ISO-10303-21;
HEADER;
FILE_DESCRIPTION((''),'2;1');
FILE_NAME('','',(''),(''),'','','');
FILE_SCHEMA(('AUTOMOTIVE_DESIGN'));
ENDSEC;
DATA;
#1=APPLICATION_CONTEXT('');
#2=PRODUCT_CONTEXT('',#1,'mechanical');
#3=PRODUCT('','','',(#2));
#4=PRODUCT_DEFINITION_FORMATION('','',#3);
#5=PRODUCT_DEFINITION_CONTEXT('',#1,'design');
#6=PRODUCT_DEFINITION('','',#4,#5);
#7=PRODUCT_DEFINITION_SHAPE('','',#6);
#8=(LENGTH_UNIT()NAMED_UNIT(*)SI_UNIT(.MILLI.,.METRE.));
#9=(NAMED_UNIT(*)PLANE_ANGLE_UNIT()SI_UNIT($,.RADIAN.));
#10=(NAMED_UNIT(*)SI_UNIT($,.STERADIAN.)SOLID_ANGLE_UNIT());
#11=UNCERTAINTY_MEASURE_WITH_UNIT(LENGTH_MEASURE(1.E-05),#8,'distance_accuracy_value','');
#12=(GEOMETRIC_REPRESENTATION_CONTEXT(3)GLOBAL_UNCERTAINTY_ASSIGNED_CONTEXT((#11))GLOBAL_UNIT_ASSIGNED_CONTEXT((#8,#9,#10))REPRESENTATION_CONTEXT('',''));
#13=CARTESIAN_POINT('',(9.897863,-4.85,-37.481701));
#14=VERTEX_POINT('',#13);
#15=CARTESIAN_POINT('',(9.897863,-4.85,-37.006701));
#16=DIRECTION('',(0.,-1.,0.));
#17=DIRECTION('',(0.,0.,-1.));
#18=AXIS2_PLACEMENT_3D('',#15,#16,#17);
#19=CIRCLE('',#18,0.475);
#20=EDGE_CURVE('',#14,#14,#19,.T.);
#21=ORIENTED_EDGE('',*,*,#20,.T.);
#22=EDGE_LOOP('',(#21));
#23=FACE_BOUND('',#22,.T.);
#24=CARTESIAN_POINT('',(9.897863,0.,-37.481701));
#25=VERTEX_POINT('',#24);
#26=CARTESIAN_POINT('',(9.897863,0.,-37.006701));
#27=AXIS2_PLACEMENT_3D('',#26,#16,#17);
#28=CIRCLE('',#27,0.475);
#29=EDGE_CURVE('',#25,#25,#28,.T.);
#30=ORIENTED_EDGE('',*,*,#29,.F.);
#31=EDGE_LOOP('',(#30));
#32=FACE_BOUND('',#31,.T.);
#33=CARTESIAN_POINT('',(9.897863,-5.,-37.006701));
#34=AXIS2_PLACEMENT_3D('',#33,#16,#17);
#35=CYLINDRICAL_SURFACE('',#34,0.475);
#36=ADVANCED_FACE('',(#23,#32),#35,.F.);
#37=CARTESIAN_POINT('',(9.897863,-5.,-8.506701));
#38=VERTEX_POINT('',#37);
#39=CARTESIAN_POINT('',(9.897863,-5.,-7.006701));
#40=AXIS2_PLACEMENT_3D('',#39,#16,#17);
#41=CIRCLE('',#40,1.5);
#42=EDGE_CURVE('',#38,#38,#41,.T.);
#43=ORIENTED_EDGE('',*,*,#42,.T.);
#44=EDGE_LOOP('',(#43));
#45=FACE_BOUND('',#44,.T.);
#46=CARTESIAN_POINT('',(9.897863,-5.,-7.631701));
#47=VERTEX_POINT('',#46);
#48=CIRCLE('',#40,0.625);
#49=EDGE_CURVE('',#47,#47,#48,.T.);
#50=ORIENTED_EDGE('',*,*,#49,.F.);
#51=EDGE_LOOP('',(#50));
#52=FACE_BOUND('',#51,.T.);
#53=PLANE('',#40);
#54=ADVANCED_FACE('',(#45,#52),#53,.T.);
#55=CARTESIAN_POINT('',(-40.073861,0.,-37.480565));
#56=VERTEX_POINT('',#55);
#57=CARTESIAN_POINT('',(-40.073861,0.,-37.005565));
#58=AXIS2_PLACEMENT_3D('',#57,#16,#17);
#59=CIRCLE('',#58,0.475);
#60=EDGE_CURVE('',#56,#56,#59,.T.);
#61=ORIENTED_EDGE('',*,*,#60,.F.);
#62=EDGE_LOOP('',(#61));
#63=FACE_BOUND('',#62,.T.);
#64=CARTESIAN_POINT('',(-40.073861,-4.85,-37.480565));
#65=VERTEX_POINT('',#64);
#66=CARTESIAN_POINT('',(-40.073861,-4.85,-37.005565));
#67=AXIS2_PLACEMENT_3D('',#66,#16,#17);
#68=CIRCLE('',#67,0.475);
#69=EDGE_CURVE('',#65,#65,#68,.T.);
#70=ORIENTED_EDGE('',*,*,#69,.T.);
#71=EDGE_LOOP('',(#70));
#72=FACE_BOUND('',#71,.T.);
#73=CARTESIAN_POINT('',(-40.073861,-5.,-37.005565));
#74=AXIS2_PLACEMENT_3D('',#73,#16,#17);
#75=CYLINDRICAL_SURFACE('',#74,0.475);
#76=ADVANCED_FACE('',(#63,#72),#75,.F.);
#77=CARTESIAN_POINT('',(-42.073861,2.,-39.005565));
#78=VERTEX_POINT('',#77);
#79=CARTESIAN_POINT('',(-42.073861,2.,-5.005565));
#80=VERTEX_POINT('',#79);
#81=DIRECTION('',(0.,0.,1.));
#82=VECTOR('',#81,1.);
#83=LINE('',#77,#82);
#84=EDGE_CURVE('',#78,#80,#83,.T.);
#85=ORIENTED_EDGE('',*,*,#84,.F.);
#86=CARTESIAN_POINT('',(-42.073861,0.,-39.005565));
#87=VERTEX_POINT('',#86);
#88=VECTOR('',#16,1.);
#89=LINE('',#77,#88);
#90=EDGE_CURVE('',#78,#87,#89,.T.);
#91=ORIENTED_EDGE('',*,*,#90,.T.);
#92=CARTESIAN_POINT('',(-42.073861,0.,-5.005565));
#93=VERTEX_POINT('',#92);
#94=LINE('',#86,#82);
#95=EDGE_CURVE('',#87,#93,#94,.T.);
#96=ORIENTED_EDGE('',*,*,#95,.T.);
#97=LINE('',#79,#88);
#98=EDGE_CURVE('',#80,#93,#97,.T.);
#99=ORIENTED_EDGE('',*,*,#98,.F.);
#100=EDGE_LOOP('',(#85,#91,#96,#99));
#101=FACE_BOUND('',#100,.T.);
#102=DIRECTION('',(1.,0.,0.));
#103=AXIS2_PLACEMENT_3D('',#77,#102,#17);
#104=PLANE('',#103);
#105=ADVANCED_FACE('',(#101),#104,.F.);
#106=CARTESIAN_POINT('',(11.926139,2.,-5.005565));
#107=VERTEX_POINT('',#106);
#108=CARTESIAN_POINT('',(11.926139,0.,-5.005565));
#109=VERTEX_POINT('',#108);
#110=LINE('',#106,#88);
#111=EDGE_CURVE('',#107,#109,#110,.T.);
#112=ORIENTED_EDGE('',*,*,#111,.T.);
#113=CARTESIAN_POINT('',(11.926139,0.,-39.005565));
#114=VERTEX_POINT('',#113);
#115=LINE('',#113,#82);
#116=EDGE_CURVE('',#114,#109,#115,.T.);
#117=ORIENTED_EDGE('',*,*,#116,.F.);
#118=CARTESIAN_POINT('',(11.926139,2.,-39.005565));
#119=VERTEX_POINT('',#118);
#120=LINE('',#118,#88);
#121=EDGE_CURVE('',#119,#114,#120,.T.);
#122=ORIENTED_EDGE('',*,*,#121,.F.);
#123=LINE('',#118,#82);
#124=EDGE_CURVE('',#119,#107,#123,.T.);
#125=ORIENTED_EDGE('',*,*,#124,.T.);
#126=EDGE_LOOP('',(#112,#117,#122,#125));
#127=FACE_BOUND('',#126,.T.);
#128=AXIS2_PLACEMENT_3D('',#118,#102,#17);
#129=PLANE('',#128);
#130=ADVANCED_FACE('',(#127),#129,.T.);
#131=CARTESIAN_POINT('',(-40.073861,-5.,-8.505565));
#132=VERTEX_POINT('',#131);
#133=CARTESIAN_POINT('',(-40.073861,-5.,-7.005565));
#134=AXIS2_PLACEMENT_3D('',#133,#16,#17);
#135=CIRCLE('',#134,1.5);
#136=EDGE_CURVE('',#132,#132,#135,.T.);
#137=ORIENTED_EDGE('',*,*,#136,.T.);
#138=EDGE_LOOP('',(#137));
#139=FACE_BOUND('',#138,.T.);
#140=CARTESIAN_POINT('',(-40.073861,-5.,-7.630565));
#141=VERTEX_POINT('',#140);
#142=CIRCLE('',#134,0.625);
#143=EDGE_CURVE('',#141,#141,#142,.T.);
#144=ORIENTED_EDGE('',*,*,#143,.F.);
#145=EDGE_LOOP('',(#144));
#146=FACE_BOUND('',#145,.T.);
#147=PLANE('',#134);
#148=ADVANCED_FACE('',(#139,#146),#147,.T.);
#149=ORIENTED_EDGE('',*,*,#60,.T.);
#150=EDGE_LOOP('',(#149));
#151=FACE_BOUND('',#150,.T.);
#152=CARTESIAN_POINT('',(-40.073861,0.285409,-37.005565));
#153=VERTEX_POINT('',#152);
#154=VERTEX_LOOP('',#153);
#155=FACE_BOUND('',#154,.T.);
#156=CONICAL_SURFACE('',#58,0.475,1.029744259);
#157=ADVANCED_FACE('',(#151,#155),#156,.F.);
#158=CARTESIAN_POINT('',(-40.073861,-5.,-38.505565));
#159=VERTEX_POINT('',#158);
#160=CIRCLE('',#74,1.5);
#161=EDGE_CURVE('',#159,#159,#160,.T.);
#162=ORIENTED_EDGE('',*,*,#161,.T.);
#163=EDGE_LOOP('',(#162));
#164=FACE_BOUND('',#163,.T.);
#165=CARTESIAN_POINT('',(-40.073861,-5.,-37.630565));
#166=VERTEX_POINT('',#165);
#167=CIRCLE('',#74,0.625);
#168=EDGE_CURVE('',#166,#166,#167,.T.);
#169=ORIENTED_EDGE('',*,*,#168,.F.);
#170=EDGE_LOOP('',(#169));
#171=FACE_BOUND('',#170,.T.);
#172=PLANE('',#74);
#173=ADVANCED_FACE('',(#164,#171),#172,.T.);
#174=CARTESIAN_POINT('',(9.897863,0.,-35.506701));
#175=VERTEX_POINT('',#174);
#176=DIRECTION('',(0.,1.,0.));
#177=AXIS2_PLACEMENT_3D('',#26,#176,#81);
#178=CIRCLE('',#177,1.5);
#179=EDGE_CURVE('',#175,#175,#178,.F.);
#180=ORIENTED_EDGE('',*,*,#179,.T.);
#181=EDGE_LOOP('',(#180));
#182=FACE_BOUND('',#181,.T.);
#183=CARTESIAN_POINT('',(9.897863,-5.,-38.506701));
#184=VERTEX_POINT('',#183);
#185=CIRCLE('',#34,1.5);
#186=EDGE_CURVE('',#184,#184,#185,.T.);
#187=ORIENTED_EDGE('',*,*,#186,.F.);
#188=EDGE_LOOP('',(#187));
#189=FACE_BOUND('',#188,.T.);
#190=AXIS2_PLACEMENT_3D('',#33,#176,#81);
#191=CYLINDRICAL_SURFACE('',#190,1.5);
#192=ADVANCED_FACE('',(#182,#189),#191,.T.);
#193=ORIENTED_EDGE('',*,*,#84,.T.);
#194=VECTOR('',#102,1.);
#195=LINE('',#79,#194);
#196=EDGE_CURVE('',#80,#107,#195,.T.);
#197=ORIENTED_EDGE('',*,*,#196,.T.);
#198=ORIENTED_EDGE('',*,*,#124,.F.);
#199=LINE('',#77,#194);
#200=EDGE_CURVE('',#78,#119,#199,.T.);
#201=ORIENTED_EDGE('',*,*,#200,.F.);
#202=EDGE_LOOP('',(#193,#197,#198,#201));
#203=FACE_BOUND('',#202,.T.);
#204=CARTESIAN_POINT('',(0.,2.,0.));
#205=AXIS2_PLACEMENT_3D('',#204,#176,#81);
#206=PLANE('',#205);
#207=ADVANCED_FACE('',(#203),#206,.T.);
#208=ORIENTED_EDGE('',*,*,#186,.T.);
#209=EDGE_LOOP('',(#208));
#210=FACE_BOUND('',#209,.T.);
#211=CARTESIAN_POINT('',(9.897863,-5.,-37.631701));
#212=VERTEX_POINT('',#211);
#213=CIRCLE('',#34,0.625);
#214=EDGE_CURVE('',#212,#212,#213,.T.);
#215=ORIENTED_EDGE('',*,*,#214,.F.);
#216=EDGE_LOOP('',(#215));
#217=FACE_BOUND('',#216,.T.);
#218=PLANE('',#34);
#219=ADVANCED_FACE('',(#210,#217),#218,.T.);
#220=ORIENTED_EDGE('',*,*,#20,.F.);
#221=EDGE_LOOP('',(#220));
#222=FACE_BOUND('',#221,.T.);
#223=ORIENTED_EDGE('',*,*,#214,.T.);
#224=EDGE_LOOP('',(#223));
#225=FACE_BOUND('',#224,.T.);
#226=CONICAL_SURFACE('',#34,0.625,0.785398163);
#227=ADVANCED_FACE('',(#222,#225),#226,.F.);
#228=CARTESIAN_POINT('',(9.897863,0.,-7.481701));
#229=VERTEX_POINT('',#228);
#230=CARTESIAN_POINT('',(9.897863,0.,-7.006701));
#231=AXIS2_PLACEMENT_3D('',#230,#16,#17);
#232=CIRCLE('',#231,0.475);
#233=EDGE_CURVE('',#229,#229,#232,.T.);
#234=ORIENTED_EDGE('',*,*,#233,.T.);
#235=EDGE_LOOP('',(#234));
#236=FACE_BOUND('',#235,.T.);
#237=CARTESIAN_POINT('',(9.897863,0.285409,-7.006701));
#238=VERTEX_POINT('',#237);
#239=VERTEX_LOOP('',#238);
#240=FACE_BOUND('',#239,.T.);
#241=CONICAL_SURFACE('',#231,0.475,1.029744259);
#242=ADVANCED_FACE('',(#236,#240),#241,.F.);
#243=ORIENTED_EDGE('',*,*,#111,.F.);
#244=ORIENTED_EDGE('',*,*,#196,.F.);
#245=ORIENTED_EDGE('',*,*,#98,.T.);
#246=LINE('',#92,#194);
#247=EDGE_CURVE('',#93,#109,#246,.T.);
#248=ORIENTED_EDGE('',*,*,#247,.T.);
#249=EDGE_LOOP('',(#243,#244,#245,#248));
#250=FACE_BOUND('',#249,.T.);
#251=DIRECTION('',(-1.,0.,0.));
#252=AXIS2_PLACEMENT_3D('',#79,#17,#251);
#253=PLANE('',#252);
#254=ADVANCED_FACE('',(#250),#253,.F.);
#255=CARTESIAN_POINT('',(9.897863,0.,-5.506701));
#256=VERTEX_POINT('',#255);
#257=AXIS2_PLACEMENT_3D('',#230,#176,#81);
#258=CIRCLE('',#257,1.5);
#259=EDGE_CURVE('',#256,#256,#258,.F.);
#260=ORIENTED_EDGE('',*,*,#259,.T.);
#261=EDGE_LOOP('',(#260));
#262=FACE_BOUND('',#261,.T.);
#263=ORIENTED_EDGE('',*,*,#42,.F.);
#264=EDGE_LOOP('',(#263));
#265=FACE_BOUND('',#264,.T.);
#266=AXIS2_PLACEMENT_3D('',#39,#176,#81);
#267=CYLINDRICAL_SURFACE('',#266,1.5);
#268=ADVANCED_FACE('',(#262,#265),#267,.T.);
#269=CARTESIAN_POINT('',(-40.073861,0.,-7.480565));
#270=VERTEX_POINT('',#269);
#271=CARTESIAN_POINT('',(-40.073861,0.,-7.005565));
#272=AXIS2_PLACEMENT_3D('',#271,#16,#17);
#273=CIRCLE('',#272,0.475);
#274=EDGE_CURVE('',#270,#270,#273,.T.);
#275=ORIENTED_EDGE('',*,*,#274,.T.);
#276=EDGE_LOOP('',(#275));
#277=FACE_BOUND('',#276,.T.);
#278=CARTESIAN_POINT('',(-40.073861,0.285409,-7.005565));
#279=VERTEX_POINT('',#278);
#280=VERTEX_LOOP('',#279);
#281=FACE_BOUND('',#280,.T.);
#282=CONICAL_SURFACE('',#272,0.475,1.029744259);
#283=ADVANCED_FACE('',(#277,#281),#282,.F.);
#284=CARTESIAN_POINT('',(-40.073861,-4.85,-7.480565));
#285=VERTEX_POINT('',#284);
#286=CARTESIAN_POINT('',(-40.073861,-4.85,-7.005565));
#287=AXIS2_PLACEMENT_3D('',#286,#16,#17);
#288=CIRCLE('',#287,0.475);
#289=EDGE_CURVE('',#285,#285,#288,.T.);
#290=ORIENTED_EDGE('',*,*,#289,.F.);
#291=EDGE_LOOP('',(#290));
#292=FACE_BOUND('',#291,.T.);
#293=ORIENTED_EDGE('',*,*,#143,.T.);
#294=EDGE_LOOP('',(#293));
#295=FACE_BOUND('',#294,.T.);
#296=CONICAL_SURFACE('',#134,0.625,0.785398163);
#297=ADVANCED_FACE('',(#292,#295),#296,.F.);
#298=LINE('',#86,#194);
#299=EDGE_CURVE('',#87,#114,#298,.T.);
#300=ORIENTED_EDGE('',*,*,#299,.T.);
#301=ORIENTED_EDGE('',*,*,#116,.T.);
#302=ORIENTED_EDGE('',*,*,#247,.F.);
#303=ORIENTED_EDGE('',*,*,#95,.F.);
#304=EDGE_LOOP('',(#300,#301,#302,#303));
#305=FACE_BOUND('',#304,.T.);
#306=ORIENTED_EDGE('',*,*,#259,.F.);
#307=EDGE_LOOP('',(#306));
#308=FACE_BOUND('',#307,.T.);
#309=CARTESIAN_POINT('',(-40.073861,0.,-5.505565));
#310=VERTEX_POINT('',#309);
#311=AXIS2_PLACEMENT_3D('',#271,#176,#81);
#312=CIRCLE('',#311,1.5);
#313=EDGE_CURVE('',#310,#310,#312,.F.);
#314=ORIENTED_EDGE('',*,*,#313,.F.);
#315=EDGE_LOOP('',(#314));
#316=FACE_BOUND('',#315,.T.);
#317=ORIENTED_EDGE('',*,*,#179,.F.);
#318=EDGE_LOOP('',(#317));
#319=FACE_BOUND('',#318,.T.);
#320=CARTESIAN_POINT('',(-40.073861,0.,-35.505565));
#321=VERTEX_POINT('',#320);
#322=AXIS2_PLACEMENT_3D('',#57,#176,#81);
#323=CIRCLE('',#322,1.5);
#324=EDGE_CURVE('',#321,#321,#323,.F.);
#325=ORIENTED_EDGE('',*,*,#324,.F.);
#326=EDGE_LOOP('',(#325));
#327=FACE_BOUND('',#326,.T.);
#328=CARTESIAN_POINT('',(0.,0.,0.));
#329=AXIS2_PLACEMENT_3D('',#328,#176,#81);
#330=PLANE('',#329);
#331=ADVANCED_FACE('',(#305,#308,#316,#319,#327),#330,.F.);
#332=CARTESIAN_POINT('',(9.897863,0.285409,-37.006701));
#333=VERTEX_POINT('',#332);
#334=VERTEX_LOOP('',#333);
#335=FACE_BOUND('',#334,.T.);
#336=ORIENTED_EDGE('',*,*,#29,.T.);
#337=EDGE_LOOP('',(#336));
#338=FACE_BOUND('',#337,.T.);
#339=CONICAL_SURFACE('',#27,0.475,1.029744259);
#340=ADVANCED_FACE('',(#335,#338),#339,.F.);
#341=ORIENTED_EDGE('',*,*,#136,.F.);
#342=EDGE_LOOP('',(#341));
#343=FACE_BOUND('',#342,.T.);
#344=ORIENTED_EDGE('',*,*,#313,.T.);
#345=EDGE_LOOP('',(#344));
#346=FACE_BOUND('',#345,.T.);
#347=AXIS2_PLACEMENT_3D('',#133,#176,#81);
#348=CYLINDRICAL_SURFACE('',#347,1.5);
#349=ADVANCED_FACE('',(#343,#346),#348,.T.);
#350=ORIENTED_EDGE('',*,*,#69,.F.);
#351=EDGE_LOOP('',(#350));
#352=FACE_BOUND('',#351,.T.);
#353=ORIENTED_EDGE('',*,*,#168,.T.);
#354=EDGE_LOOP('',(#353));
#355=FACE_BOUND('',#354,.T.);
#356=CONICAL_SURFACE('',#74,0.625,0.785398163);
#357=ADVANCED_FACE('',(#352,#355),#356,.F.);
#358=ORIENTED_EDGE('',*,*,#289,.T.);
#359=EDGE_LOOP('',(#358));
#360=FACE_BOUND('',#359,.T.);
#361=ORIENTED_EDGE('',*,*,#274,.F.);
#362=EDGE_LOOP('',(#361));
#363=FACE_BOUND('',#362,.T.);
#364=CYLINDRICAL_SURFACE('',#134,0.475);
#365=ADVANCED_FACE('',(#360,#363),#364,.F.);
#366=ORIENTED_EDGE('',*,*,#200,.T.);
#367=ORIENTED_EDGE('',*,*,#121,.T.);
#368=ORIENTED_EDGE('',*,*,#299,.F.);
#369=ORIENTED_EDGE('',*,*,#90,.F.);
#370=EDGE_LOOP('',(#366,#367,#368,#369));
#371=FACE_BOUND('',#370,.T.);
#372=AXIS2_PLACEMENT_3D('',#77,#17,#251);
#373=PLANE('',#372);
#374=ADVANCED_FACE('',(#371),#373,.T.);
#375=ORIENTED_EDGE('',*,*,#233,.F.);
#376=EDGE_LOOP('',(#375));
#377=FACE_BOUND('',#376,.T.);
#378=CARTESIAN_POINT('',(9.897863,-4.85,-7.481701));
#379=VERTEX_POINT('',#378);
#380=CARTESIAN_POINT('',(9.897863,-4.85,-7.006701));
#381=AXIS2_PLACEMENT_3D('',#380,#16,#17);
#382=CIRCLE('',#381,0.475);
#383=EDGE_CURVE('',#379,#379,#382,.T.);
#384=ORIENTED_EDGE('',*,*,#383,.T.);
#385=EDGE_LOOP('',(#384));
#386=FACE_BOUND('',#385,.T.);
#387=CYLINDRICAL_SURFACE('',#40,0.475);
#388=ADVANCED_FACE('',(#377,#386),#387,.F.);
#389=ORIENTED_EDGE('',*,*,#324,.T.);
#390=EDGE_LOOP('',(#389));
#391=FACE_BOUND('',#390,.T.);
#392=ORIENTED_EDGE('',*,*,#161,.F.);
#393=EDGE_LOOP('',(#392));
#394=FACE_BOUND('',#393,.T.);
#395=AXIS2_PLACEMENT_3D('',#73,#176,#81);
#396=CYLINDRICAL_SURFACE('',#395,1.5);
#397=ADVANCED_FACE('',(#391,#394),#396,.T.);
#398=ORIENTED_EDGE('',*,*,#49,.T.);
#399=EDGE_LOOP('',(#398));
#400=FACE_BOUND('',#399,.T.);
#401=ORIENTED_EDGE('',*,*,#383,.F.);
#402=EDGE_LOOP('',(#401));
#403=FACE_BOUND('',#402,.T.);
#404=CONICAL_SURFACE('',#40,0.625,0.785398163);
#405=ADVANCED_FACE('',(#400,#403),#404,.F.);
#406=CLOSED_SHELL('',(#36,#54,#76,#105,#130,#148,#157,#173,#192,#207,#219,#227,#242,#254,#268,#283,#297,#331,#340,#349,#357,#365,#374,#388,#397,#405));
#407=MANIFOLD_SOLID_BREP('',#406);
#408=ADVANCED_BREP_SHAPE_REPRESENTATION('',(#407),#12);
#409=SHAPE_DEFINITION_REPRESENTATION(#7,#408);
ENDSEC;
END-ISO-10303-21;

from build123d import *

# Parameters (mm, degrees)
SKETCH1_W                          = 54
SKETCH1_H                          = 34
BOSS_EXTRUDE1_DEPTH                = 2
SKETCH4_R                          = 1.5
BOSS_EXTRUDE2_DEPTH                = 5
M1_2X0_25_TAPPED_HOLE1_D           = 0.95
M1_2X0_25_TAPPED_HOLE1_DEPTH       = 5
M1_2X0_25_TAPPED_HOLE1_CSINK_D     = 1.25
M1_2X0_25_TAPPED_HOLE1_CSINK_ANGLE = 90
M1_2X0_25_TAPPED_HOLE1_TIP         = 0.285408794


with BuildPart() as part:
    # Sketch1 → Boss-Extrude1 (new body)
    with BuildSketch(Plane(origin=(0, 0, 0), x_dir=(1, 0, 0), z_dir=(0, 1, 0))):
        with Locations((-15.073860766, 22.005565176)):
            Rectangle(SKETCH1_W, SKETCH1_H)
    extrude(amount=BOSS_EXTRUDE1_DEPTH)

    # Sketch4 → Boss-Extrude2 (add)
    with BuildSketch(Plane.XZ):
        with Locations(Location((-40.073860766, -7.005565176, 0), (0, 0, 90))):
            Circle(SKETCH4_R)
        with Locations(Location((9.897863343, -7.006700775, 0), (0, 0, 90))):
            Circle(SKETCH4_R)
        with Locations(Location((9.897863343, -37.006700775, 0), (0, 0, 90))):
            Circle(SKETCH4_R)
        with Locations(Location((-40.073860766, -37.005565176, 0), (0, 0, 90))):
            Circle(SKETCH4_R)
    extrude(amount=BOSS_EXTRUDE2_DEPTH)

    # M1.2x0.25 Tapped Hole1
    with Locations(Plane(origin=(-40.073860766, -5, -7.005565176), x_dir=(0, 0, -1), z_dir=(0, -1, 0))):
        with Locations((0, 0), (30, 0), (0.001135599, 49.971724109), (30.001135599, 49.971724109)):
            CounterSinkHole(M1_2X0_25_TAPPED_HOLE1_D / 2, M1_2X0_25_TAPPED_HOLE1_CSINK_D / 2, depth=M1_2X0_25_TAPPED_HOLE1_DEPTH, counter_sink_angle=M1_2X0_25_TAPPED_HOLE1_CSINK_ANGLE)
            with Locations((0, 0, -(M1_2X0_25_TAPPED_HOLE1_DEPTH + M1_2X0_25_TAPPED_HOLE1_TIP / 2))):  # 118° drill point
                Cone(0, M1_2X0_25_TAPPED_HOLE1_D / 2, M1_2X0_25_TAPPED_HOLE1_TIP, mode=Mode.SUBTRACT)


solid = part.part
